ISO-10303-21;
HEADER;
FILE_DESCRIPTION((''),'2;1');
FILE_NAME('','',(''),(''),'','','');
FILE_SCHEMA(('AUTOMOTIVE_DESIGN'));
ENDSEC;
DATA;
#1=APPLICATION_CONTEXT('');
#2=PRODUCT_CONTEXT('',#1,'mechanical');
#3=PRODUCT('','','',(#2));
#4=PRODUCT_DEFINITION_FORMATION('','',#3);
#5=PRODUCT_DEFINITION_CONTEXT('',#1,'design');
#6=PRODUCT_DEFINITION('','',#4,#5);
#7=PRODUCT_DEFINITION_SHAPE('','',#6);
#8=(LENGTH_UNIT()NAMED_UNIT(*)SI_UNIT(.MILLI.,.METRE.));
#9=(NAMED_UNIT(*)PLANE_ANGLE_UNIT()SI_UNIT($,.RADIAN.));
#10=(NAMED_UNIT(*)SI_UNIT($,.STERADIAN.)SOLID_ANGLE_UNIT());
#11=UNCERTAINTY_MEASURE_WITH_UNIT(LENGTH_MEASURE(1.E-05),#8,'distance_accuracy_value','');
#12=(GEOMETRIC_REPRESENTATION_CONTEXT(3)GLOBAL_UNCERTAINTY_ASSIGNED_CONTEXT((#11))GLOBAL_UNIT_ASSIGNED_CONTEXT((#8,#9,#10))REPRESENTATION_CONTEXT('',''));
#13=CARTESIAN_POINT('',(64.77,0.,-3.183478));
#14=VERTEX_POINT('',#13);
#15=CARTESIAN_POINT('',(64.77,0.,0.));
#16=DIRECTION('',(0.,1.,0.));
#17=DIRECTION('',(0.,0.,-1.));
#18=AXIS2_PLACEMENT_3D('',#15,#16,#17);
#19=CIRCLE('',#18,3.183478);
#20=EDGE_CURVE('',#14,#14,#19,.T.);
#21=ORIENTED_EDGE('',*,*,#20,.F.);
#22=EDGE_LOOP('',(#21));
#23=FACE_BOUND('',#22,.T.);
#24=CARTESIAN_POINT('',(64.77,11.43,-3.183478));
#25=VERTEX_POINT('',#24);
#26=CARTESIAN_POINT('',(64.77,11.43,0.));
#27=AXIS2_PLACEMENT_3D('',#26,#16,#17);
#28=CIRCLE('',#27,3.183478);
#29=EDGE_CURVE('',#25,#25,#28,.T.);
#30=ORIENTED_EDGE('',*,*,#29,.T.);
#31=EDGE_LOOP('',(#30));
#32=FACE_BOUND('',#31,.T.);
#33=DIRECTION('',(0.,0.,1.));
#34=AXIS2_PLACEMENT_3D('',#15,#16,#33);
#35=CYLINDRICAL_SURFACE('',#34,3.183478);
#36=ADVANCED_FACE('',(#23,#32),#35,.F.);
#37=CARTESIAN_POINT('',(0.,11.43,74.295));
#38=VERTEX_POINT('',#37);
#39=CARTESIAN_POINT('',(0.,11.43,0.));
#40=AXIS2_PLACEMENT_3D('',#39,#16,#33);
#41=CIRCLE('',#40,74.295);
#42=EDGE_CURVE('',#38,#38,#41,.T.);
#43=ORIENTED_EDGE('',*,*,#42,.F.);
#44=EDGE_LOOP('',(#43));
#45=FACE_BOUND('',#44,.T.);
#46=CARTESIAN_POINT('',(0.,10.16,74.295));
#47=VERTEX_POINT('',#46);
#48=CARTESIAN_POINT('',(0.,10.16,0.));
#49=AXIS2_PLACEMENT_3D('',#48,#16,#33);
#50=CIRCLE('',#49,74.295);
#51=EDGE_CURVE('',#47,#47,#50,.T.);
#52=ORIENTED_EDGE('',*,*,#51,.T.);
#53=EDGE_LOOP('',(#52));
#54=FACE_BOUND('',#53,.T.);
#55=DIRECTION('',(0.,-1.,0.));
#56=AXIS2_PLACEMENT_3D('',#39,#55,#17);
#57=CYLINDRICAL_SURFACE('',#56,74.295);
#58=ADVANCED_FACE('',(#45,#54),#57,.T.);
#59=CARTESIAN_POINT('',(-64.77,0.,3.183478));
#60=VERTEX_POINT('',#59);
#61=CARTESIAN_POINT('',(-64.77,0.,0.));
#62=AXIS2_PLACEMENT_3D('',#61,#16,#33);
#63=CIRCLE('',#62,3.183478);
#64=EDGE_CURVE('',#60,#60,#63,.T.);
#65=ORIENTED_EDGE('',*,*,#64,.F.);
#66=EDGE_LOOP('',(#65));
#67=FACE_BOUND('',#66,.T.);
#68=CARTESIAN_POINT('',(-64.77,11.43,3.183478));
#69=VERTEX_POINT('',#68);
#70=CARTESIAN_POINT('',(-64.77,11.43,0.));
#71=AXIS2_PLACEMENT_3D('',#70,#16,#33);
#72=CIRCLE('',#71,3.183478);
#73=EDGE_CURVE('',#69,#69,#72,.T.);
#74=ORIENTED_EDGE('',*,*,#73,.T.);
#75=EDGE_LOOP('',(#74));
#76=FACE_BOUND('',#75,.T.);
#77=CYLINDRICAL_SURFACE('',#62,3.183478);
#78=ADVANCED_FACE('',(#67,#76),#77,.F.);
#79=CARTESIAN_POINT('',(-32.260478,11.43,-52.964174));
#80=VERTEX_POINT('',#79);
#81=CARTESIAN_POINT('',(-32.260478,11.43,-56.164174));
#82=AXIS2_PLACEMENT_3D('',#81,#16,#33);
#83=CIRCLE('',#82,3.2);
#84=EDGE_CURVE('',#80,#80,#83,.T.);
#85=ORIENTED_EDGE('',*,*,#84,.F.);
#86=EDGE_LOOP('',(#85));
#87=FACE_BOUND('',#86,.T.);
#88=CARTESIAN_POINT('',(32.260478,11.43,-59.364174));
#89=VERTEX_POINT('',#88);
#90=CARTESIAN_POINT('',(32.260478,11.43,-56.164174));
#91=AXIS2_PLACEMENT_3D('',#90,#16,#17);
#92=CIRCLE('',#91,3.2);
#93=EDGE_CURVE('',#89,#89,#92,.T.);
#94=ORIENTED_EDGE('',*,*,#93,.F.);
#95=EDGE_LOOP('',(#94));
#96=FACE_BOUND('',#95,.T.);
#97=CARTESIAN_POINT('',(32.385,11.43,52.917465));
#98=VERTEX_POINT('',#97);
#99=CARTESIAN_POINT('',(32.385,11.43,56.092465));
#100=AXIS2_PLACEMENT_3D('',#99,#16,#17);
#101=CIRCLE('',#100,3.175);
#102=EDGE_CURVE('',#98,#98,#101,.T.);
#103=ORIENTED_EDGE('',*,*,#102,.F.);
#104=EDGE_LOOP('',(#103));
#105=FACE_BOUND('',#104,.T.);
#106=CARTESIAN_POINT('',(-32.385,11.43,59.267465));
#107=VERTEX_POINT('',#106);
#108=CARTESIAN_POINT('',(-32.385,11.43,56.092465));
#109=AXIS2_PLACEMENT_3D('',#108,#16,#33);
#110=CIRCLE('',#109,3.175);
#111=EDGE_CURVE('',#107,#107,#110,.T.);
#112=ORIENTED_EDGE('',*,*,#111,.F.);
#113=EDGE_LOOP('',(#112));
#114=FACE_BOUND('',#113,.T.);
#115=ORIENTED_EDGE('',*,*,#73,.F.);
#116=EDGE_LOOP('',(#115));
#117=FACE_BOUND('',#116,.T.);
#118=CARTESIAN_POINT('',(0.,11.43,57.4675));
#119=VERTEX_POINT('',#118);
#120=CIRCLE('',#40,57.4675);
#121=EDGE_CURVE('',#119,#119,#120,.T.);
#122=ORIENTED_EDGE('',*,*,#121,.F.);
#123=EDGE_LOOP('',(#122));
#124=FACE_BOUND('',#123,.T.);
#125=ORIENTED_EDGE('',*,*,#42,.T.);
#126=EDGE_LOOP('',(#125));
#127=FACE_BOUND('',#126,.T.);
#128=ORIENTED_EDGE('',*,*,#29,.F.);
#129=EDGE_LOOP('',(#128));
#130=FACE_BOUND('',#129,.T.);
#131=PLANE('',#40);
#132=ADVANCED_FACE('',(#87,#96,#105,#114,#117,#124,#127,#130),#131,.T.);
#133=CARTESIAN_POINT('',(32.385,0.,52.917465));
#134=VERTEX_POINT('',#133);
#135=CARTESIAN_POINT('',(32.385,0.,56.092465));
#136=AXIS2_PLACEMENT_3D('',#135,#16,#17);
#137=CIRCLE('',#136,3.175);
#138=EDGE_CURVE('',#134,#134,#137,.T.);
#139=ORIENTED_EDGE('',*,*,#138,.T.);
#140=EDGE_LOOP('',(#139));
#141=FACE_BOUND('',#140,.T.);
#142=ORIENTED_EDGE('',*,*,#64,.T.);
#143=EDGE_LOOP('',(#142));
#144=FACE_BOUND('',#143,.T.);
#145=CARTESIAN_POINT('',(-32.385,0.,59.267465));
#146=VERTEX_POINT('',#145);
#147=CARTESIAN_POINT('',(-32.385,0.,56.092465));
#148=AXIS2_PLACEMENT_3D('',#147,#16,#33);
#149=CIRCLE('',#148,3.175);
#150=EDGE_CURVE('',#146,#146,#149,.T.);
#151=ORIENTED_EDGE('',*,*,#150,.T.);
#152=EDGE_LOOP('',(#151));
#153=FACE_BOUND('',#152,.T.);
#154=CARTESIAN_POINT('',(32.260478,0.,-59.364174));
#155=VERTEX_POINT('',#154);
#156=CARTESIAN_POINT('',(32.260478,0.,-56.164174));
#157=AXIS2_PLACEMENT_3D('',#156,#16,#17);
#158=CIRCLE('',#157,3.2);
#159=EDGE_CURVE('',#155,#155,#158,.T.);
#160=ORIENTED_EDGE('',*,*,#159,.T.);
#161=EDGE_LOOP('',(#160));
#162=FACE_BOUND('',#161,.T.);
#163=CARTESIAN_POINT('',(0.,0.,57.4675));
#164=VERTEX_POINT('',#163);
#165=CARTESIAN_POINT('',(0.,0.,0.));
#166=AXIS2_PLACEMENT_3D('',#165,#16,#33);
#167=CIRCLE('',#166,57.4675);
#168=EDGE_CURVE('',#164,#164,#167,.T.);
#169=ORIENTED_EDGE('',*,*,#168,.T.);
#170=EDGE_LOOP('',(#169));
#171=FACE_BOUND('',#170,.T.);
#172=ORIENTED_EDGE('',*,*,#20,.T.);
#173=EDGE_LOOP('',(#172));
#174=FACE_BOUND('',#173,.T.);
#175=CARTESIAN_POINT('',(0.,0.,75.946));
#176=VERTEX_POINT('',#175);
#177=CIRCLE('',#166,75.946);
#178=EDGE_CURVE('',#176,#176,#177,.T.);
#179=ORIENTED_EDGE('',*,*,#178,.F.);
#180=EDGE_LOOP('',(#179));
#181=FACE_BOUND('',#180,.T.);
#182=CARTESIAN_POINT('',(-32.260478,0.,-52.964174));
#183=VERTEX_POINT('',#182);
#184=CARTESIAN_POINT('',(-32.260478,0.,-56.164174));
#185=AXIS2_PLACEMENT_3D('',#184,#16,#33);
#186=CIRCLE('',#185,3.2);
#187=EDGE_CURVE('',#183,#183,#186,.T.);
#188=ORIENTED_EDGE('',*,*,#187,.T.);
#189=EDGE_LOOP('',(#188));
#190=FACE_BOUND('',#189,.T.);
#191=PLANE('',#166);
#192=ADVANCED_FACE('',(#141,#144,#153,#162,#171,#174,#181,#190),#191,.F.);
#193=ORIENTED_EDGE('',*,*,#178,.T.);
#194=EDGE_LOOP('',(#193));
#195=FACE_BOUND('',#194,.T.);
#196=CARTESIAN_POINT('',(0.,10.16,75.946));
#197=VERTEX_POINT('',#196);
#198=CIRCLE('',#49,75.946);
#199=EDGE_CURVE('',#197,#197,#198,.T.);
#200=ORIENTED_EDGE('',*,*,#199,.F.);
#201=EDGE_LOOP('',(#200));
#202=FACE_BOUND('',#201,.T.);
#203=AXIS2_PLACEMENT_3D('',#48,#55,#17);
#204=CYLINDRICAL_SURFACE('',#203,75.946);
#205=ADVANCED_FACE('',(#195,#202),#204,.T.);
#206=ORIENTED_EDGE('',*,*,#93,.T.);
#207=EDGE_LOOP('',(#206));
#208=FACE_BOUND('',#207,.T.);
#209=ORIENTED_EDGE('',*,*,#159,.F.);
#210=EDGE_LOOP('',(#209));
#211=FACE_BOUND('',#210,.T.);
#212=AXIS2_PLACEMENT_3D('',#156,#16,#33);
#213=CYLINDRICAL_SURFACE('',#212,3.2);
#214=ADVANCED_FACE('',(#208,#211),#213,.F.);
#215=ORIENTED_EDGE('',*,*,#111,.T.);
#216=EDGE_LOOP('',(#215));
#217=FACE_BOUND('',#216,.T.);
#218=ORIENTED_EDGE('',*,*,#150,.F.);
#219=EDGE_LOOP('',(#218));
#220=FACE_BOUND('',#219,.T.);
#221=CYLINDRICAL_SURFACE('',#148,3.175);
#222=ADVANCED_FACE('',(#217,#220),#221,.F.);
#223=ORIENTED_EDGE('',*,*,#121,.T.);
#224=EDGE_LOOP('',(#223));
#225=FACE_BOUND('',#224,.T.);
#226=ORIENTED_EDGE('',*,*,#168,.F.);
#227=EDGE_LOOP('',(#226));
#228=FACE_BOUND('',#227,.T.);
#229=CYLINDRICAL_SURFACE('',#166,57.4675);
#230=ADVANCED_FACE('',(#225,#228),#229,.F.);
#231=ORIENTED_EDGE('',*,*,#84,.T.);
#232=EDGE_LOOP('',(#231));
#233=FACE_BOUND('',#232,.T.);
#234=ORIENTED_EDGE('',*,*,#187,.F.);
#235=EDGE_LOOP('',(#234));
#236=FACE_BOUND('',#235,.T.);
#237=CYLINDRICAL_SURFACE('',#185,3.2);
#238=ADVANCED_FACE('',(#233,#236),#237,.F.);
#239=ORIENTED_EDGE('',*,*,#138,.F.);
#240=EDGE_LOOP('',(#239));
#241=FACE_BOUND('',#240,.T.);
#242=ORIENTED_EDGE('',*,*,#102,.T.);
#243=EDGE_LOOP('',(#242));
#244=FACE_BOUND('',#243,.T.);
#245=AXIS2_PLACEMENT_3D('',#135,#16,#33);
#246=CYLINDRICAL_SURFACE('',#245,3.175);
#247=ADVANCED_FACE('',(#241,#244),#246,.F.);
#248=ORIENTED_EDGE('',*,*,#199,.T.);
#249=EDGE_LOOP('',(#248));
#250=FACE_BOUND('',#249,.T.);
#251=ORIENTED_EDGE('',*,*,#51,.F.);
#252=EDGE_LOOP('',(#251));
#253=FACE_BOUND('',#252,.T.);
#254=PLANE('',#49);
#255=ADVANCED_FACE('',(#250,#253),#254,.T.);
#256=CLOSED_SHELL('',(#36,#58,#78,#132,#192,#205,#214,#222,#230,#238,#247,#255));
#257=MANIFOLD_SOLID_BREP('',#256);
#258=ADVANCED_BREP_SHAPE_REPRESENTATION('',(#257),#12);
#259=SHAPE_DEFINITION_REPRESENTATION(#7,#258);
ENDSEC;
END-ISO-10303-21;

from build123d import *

# Parameters (mm, degrees)
SKETCH1_R               = 75.946
BOSS_EXTRUDE1_DEPTH     = 10.16
SKETCH7_R               = 74.295
BOSS_EXTRUDE2_DEPTH     = 1.27
SKETCH6_R               = 3.183478234
SKETCH6_R_2             = 3.2
SKETCH6_R_3             = 3.175
CUT_EXTRUDE5_DEPTH      = 2.27
CUT_EXTRUDE5_DEPTH_BACK = 11.16
SKETCH9_R               = 57.4675
CUT_EXTRUDE7_DEPTH      = 12.43


with BuildPart() as part:
    # Sketch1 → Boss-Extrude1 (new body)
    with BuildSketch(Plane(origin=(0, 0, 0), x_dir=(1, 0, 0), z_dir=(0, 1, 0))):
        Circle(SKETCH1_R)
    extrude(amount=BOSS_EXTRUDE1_DEPTH)

    # Sketch7 → Boss-Extrude2 (add)
    with BuildSketch(Plane(origin=(0, 10.16, 0), x_dir=(1, 0, 0), z_dir=(0, 1, 0))):
        Circle(SKETCH7_R)
    extrude(amount=BOSS_EXTRUDE2_DEPTH)

    # Sketch6 → Cut-Extrude5 (cut, two sides)
    with BuildSketch(Plane(origin=(0, 10.16, 0), x_dir=(1, 0, 0), z_dir=(0, 1, 0))) as cut_extrude5_sk:
        with Locations((-64.77, 0)):
            Circle(SKETCH6_R)
        with Locations((-32.260478415, 56.164173923)):
            Circle(SKETCH6_R_2)
        with Locations((-32.385, -56.092465403)):
            Circle(SKETCH6_R_3)
        with Locations((32.385, -56.092465403)):
            Circle(SKETCH6_R_3)
        with Locations((64.77, 0)):
            Circle(SKETCH6_R)
        with Locations((32.260478415, 56.164173923)):
            Circle(SKETCH6_R_2)
    extrude(amount=CUT_EXTRUDE5_DEPTH, mode=Mode.SUBTRACT)
    extrude(cut_extrude5_sk.sketch, amount=-CUT_EXTRUDE5_DEPTH_BACK, mode=Mode.SUBTRACT)

    # Sketch9 → Cut-Extrude7 (cut, through all)
    with BuildSketch(Plane(origin=(0, 11.43, 0), x_dir=(1, 0, 0), z_dir=(0, 1, 0))):
        Circle(SKETCH9_R)
    extrude(amount=-CUT_EXTRUDE7_DEPTH, mode=Mode.SUBTRACT)


solid = part.part
